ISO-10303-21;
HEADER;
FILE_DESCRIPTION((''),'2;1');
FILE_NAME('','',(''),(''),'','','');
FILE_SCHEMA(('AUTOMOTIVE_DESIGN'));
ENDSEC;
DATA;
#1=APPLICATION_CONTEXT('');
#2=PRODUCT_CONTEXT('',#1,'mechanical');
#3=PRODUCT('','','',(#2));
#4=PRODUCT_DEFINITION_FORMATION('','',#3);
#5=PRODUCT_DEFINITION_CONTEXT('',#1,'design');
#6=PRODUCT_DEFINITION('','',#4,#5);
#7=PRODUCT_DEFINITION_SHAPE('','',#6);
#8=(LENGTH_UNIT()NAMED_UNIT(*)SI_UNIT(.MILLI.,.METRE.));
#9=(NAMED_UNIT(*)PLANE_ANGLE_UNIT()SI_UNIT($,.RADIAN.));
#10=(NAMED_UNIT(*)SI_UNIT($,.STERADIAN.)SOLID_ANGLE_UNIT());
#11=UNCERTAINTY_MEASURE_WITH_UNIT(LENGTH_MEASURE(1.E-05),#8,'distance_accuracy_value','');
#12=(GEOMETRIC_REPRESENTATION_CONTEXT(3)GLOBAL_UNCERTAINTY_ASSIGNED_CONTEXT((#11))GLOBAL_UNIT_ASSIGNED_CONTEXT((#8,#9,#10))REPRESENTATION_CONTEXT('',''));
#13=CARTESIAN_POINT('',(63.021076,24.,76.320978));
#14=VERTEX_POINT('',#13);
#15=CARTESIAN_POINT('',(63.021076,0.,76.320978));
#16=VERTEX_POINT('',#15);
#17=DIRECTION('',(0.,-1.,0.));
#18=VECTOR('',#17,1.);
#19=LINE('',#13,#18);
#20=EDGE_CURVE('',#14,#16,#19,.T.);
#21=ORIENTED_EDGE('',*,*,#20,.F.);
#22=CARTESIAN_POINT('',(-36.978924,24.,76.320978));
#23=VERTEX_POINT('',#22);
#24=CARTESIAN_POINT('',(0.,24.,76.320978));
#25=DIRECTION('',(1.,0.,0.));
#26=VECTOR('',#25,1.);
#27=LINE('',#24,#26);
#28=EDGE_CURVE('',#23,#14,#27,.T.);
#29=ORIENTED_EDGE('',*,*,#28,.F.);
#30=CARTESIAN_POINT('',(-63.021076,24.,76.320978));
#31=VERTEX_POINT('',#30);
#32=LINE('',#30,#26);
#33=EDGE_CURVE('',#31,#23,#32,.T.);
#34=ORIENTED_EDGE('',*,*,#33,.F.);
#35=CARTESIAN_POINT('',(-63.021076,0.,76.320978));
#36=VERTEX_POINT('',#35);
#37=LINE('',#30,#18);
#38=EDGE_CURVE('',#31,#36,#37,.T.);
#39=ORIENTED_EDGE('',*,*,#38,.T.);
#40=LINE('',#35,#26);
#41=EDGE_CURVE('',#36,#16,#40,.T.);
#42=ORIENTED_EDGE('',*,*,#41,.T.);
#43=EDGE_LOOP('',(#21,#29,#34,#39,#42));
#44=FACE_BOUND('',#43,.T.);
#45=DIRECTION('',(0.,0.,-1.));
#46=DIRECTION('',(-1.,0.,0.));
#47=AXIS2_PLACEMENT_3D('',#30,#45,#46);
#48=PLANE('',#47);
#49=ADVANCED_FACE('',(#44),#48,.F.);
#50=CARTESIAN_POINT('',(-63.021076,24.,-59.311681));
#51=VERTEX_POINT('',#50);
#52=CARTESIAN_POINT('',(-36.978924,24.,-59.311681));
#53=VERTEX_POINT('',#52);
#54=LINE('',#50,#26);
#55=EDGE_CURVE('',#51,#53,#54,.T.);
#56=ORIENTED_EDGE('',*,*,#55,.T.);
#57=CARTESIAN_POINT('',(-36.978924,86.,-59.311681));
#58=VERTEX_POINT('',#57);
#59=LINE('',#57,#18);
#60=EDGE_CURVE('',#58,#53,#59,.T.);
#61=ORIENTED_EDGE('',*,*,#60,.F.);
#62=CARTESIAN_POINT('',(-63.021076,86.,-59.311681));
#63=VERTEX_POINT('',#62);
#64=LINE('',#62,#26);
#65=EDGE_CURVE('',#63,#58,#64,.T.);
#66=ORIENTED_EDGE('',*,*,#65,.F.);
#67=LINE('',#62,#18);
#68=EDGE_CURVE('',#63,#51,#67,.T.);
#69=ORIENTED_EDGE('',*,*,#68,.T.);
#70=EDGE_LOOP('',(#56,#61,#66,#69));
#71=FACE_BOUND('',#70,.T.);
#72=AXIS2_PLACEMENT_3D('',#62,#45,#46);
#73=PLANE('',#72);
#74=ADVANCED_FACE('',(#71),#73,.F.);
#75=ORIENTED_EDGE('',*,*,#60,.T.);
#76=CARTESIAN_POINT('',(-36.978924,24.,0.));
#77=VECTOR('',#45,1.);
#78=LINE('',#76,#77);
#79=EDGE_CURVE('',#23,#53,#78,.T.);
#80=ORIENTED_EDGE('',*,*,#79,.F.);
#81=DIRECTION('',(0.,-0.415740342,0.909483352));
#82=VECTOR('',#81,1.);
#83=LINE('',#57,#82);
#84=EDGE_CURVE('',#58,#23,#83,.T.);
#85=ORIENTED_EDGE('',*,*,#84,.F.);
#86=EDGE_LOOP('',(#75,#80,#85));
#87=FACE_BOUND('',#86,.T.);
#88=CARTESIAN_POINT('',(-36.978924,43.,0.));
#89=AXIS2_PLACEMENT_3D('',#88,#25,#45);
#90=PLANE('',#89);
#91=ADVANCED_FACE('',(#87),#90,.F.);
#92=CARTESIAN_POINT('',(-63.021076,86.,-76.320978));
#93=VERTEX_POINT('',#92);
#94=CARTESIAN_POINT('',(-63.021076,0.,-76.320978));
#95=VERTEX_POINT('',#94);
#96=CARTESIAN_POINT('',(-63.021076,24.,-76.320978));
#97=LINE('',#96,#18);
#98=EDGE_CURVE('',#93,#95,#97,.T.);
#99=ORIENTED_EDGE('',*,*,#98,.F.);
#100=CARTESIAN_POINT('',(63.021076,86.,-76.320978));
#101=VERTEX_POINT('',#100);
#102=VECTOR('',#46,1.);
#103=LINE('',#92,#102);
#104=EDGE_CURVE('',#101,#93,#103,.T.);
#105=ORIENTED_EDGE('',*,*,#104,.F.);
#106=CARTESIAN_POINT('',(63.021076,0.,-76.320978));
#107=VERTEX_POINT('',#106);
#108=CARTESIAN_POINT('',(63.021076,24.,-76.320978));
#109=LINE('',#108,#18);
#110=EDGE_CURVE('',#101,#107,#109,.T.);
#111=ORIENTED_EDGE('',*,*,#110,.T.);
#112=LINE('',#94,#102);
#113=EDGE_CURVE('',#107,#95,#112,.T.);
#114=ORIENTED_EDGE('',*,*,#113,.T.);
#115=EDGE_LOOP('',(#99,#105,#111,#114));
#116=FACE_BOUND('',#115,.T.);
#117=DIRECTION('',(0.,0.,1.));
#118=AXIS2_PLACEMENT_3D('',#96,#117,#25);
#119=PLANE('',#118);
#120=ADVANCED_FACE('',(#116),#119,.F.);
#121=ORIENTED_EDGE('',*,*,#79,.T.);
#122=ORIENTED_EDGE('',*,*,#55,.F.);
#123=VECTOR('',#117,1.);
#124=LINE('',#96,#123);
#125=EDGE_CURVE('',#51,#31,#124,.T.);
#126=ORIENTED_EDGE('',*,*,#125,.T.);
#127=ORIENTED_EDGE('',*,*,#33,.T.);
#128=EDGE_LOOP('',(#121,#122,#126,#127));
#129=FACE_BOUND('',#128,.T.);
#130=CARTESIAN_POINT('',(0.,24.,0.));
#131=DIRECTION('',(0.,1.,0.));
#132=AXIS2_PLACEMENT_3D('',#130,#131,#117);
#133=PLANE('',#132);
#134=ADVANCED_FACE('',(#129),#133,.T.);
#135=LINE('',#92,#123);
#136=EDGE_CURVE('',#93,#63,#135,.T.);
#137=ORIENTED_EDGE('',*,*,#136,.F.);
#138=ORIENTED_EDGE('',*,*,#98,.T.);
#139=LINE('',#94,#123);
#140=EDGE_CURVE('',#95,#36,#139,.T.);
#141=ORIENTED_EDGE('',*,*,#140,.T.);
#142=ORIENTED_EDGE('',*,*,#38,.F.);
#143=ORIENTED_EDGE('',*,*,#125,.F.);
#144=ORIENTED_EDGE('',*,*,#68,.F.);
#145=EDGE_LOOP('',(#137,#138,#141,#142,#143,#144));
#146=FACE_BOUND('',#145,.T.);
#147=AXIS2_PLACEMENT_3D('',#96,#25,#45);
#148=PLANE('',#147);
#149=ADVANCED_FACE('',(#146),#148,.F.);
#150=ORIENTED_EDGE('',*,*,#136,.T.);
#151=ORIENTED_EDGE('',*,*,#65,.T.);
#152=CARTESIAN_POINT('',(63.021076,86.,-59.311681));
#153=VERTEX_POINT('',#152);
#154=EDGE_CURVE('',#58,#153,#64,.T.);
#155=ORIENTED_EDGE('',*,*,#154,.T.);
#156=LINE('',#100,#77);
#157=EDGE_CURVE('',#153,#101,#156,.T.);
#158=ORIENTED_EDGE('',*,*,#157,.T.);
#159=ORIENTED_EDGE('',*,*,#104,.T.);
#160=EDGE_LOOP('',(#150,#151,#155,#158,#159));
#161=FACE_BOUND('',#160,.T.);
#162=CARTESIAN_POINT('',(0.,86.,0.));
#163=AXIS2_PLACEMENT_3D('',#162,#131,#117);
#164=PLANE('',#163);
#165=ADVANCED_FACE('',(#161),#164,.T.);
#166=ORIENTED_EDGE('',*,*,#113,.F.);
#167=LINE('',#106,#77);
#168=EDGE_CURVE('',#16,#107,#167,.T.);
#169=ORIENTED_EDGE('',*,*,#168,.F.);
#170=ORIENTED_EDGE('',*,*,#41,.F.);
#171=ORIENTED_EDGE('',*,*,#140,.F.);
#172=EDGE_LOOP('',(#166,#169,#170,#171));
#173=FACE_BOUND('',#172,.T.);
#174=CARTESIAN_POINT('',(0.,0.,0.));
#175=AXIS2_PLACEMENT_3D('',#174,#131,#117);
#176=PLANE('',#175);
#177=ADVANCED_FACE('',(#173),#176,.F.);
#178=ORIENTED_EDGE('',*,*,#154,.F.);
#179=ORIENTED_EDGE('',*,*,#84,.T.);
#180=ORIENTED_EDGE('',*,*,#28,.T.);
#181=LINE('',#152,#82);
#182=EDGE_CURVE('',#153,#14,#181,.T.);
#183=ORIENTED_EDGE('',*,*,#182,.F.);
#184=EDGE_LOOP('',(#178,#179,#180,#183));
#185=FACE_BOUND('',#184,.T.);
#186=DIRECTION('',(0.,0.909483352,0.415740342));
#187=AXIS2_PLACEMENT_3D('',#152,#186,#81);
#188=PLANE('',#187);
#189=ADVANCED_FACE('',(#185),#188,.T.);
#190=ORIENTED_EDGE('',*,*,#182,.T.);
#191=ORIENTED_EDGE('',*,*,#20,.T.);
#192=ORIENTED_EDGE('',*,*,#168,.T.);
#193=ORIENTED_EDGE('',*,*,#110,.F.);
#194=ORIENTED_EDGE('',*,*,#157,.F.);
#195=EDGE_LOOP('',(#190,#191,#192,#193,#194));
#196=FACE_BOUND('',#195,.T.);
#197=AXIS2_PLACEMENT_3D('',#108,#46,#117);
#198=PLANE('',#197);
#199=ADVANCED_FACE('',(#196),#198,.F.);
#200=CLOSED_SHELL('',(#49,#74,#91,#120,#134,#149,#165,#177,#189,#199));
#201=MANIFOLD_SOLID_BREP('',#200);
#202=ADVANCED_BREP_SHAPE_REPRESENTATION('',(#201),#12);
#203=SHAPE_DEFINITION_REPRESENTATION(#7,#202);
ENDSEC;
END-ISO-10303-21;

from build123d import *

# Parameters (mm, degrees)
SKETCH1_W           = 126.042151156
SKETCH1_H           = 152.641955782
BOSS_EXTRUDE1_DEPTH = 24
SKETCH2_W           = 126.042151156
SKETCH2_H           = 17.009297173
BOSS_EXTRUDE2_DEPTH = 62
RIB1_REACH          = 172.609
SKETCH3_WALL_W      = 492.350042414
SKETCH3_WALL_H      = 100


with BuildPart() as part:
    # Sketch1 → Boss-Extrude1 (new body)
    with BuildSketch(Plane(origin=(0, 0, 0), x_dir=(1, 0, 0), z_dir=(0, 1, 0))):
        Rectangle(SKETCH1_W, SKETCH1_H)
    extrude(amount=BOSS_EXTRUDE1_DEPTH)

    # Sketch2 → Boss-Extrude2 (add)
    with BuildSketch(Plane(origin=(0, 24, 0), x_dir=(1, 0, 0), z_dir=(0, 1, 0))):
        with Locations((0, 67.816329305)):
            Rectangle(SKETCH2_W, SKETCH2_H)
    extrude(amount=BOSS_EXTRUDE2_DEPTH)

    # Sketch3 wall → Rib1 (add, up to next)
    with BuildSketch(Plane(origin=(63.021075578, 55, 8.504648587), x_dir=(0, -0.415740341777, 0.909483352359), z_dir=(0, -0.909483352359, -0.415740341777)), mode=Mode.PRIVATE) as rib1_sk1:
        with Locations((0, 50)):
            Rectangle(SKETCH3_WALL_W, SKETCH3_WALL_H)
    rib1_tool1 = extrude(rib1_sk1.sketch, amount=RIB1_REACH, mode=Mode.PRIVATE) - part.part
    add(rib1_tool1.solids().sort_by_distance((63.021075578, 55, 8.504648587))[0])


solid = part.part
